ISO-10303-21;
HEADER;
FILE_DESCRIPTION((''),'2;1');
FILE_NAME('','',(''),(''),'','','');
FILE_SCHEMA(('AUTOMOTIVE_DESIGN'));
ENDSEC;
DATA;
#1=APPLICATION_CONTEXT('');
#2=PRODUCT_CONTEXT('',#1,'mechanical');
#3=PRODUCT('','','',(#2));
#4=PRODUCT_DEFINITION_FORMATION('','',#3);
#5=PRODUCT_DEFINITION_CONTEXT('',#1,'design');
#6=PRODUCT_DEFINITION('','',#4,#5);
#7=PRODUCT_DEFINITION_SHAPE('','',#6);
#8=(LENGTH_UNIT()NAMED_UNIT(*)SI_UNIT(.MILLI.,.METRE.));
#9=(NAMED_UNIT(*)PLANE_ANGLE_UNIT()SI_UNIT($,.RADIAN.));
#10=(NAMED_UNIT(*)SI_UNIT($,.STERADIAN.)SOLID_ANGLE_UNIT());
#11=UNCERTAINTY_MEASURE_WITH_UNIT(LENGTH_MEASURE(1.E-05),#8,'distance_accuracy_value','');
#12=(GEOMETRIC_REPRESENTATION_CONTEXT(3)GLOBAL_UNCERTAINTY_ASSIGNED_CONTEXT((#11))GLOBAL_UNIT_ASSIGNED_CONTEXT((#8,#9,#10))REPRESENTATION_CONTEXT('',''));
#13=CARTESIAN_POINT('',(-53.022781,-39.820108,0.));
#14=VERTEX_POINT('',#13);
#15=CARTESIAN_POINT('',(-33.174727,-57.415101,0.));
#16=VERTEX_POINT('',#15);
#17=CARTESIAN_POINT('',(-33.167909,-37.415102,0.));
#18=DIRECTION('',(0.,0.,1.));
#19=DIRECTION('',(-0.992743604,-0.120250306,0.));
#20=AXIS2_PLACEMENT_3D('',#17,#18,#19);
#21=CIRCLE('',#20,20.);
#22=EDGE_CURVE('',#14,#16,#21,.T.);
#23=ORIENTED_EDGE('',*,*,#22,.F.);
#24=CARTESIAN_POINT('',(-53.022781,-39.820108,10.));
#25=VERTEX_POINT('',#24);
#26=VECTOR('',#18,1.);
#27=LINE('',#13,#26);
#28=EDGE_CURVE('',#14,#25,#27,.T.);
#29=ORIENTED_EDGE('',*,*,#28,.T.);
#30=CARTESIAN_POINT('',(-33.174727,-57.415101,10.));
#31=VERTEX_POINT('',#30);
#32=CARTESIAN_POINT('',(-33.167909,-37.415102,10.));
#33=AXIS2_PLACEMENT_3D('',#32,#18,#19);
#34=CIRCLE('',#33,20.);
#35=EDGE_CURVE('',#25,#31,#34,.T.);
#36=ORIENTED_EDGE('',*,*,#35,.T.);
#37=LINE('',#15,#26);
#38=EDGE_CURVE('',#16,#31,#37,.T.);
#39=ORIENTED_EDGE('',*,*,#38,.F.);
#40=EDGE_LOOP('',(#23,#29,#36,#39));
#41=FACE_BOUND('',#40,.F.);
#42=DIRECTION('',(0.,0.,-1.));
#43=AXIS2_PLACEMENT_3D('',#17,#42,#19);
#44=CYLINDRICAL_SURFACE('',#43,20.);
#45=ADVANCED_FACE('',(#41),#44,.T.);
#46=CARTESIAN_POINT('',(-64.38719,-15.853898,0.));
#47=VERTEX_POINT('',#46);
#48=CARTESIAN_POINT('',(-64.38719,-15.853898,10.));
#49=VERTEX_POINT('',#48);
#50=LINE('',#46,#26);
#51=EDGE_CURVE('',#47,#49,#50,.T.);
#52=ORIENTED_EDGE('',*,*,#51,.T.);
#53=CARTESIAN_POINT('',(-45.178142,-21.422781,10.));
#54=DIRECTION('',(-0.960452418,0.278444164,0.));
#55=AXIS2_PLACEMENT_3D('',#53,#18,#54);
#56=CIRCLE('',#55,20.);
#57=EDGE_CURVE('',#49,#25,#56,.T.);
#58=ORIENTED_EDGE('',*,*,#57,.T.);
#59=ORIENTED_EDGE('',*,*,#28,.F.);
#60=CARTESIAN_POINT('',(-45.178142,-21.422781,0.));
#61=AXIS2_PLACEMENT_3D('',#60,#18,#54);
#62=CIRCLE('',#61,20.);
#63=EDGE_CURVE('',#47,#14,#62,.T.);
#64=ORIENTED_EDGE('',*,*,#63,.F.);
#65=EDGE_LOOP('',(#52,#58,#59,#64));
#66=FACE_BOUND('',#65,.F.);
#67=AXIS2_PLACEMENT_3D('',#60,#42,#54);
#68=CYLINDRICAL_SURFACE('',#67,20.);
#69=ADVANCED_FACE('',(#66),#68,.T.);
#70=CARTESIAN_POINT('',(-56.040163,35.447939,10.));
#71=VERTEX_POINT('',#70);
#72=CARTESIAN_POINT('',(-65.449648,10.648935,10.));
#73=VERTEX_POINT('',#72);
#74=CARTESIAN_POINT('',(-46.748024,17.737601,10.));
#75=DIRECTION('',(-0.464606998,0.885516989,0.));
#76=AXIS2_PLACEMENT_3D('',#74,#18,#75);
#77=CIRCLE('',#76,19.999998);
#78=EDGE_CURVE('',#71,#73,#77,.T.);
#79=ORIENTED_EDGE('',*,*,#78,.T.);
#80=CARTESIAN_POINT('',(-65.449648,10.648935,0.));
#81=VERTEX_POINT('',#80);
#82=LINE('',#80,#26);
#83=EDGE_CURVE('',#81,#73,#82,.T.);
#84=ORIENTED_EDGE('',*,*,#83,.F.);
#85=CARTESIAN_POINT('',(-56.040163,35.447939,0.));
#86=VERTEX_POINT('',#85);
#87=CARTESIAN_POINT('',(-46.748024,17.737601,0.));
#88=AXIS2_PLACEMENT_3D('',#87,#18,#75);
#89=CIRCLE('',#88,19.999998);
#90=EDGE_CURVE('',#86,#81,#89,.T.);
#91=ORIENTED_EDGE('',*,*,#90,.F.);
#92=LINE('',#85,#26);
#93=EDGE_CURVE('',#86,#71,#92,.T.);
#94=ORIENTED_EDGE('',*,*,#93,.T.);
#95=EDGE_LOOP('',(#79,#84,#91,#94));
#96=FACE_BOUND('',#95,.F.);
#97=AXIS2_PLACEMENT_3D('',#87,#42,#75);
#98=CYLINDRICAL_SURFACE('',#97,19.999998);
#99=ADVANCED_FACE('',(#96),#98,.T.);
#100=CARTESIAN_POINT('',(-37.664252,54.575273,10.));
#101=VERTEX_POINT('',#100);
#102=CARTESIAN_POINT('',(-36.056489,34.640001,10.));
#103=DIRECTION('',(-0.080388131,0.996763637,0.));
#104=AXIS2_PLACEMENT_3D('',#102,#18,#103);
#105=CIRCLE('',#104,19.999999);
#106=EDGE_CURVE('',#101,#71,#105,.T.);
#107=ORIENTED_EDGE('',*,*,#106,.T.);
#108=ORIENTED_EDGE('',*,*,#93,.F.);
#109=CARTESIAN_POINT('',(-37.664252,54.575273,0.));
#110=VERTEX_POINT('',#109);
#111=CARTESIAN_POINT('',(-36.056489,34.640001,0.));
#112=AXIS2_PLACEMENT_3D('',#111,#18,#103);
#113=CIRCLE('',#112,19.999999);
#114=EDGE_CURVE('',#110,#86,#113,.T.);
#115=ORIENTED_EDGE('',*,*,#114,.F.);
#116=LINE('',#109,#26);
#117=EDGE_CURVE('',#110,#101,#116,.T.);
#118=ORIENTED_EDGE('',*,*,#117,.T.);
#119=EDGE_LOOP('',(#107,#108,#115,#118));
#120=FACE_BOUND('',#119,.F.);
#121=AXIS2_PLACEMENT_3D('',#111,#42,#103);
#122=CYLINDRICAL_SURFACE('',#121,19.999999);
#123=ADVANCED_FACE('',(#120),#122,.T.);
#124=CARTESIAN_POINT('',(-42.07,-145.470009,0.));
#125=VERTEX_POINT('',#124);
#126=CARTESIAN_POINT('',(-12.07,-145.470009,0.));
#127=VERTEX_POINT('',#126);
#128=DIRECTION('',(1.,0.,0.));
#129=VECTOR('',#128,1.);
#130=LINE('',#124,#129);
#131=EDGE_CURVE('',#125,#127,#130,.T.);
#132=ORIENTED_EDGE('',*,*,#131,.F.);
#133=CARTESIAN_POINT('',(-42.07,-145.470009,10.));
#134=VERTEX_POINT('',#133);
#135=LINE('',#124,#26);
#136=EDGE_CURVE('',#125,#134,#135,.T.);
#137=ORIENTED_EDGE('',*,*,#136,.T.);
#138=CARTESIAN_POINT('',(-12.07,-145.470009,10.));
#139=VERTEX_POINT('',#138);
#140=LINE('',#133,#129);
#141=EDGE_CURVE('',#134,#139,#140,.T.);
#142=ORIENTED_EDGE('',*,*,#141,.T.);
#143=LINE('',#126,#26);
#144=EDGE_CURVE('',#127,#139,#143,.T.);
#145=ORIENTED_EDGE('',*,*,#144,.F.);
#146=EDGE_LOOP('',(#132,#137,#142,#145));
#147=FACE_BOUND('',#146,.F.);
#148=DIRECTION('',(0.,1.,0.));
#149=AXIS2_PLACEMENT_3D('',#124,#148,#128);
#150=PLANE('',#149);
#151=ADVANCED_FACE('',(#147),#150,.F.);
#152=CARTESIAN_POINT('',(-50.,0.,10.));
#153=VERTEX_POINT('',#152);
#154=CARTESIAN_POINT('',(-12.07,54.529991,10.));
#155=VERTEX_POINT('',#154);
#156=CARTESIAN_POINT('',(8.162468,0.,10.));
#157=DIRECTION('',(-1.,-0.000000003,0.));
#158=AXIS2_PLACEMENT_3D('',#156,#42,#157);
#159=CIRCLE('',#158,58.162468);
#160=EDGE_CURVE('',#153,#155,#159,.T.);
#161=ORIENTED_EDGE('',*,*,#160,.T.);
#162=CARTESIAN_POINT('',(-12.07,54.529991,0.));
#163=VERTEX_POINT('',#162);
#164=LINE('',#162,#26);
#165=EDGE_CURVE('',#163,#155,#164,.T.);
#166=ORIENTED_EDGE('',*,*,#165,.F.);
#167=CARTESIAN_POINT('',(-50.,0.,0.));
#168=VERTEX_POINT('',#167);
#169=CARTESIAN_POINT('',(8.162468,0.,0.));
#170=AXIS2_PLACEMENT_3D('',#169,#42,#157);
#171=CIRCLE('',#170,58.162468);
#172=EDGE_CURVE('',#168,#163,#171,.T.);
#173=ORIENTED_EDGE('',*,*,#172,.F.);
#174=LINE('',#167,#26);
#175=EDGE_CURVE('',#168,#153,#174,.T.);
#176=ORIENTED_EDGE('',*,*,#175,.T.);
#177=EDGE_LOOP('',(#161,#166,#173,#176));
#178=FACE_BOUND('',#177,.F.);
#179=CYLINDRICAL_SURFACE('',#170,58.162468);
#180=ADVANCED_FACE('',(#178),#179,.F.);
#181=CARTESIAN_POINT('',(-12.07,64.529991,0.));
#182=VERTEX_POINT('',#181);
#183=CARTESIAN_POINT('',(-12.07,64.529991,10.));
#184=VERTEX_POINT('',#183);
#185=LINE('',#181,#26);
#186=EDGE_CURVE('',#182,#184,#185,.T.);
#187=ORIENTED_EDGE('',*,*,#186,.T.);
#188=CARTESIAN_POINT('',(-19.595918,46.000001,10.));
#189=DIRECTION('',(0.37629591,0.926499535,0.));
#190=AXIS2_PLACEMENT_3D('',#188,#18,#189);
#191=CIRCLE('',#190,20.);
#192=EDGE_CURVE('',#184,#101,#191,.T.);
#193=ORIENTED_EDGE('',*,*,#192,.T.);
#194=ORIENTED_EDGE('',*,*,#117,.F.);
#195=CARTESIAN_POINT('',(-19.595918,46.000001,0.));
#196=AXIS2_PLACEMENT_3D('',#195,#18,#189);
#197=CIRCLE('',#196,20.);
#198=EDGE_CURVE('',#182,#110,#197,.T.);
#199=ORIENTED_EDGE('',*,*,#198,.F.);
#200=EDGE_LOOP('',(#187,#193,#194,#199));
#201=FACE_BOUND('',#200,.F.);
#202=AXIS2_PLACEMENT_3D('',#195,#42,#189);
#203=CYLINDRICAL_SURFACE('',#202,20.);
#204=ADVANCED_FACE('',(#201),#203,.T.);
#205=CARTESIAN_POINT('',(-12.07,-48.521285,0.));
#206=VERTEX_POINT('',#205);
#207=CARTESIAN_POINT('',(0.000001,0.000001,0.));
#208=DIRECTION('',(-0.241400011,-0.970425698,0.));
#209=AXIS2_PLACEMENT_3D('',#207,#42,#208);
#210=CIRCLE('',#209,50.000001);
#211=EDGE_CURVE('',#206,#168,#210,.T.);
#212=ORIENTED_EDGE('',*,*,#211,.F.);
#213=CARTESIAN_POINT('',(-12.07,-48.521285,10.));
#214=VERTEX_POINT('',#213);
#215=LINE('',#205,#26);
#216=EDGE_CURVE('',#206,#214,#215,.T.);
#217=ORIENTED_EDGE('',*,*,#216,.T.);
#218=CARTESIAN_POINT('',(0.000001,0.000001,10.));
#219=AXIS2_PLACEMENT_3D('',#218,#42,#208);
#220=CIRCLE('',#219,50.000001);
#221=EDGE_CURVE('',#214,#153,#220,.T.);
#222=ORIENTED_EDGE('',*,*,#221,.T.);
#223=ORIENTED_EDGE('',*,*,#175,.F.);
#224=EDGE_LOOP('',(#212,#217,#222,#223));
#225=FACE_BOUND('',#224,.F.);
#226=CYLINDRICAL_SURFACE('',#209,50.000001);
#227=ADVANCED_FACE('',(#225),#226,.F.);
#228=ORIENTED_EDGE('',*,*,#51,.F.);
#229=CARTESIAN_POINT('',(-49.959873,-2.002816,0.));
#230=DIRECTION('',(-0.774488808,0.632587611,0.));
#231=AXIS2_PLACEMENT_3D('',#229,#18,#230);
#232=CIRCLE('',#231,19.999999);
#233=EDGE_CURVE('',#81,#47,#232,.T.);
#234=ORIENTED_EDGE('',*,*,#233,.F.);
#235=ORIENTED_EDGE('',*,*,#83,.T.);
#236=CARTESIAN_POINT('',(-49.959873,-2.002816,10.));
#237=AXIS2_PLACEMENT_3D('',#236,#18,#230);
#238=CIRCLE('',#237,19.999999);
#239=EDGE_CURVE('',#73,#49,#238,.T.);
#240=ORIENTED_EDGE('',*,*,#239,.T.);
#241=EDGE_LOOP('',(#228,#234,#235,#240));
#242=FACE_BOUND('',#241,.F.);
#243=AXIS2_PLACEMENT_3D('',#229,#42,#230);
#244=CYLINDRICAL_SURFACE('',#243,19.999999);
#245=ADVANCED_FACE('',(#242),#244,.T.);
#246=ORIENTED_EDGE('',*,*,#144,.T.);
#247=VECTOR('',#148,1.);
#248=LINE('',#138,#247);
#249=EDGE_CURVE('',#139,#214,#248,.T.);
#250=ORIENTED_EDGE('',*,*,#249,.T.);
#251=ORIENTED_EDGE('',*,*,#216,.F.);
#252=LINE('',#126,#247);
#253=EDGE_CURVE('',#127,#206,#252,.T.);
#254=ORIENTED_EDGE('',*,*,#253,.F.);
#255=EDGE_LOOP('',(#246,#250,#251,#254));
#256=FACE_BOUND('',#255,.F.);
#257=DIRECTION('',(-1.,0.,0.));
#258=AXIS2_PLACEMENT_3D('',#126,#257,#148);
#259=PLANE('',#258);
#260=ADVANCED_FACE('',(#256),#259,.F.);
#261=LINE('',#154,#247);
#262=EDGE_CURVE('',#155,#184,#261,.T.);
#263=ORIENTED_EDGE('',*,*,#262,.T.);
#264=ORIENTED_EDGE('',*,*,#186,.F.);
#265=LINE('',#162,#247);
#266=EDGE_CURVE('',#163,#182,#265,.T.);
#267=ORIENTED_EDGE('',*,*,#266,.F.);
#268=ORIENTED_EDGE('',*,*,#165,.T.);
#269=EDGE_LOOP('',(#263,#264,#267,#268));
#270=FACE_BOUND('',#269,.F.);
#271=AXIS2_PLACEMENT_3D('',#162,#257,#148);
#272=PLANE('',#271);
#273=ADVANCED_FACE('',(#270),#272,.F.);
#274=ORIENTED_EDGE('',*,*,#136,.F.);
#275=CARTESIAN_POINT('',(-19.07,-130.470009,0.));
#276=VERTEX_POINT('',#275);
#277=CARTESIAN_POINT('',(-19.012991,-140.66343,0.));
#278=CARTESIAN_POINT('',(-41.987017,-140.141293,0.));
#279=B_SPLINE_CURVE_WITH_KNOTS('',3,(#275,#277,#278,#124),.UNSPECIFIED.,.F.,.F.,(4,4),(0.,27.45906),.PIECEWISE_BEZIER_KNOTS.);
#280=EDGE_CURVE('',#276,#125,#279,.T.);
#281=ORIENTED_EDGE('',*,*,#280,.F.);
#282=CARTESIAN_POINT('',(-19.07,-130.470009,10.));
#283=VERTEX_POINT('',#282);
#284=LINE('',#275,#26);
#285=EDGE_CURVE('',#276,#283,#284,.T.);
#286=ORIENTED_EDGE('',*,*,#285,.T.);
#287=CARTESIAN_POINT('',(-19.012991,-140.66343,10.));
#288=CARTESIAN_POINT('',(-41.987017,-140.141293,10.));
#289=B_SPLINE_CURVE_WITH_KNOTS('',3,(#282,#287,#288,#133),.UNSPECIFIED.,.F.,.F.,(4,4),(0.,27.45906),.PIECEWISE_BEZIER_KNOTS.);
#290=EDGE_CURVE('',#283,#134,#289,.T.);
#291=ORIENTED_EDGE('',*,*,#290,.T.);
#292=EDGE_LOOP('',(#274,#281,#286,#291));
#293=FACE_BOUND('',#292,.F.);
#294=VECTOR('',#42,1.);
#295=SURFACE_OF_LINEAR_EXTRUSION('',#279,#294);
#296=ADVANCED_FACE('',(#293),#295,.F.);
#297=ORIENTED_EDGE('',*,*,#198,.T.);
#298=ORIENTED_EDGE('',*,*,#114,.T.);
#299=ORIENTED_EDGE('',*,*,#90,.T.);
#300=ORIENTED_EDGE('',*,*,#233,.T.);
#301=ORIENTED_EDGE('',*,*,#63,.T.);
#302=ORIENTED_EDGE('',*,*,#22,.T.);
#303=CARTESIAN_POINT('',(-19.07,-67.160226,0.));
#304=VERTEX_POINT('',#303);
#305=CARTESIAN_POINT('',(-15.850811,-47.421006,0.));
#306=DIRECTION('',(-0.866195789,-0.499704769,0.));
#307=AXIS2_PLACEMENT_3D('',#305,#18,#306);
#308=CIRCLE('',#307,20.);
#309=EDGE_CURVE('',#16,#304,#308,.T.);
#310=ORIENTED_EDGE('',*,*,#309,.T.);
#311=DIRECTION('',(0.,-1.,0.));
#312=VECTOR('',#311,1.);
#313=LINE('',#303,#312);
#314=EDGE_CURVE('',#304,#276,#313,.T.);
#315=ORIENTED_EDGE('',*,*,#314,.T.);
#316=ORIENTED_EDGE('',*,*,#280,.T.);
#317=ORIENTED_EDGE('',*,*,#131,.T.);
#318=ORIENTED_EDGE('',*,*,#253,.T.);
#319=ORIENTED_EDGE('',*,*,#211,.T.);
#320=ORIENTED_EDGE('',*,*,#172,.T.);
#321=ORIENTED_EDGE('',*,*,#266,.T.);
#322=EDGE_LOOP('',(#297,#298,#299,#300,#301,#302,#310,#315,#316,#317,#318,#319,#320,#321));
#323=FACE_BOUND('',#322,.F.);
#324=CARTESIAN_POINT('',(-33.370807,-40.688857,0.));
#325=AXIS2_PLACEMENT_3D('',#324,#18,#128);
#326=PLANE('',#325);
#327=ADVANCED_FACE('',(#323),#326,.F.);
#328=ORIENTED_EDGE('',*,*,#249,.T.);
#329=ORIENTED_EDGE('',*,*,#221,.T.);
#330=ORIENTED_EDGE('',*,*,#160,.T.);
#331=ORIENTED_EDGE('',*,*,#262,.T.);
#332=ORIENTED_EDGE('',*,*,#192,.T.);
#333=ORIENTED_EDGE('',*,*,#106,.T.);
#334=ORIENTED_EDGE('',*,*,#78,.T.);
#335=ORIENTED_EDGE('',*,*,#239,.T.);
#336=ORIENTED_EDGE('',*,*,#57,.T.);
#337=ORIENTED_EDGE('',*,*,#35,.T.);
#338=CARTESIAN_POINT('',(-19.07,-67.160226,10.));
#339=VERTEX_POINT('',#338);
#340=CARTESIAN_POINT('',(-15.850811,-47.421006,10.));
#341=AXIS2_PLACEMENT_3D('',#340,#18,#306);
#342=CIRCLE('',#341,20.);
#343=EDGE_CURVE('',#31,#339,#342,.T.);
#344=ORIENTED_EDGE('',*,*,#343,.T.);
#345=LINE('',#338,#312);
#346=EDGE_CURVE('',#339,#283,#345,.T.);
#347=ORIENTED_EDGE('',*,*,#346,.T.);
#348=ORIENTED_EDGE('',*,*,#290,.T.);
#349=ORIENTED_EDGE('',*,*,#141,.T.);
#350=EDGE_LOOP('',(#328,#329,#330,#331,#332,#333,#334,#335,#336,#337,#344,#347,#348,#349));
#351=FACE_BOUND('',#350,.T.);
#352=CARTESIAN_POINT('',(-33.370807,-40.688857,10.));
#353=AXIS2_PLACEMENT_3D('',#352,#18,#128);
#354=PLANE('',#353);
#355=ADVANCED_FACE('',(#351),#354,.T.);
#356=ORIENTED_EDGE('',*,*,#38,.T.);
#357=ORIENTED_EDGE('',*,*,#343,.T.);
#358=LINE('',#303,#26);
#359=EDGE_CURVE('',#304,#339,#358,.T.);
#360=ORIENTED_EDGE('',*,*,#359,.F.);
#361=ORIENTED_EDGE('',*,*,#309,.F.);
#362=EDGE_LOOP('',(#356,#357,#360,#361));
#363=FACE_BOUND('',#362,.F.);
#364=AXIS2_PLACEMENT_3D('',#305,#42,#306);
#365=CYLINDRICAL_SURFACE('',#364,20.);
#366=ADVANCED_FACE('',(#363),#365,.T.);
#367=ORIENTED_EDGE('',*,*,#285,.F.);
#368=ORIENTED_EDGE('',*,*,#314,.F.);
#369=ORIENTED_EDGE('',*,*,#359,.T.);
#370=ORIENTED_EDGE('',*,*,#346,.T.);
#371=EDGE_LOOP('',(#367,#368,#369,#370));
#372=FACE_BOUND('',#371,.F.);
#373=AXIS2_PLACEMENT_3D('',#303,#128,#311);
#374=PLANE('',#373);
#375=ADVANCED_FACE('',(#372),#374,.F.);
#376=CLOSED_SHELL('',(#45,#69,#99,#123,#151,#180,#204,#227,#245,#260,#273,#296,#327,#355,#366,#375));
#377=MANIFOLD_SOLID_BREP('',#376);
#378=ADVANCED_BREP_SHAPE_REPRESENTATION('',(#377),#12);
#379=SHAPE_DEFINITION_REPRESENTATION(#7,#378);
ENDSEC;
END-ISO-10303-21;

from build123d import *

# Parameters (mm, degrees)
F1_DEPTH = 10


with BuildPart() as f1:
    # F0 (on Top) → F1 (new body)
    with BuildSketch(Plane.XY):
        with BuildLine():
            Line((-12.07, 54.529991), (-12.07, 64.529991))
            ThreePointArc((-12.07, 64.529991), (-26.845727, 64.63975), (-37.664252, 54.575273))
            ThreePointArc((-37.664252, 54.575273), (-50.479085, 48.496), (-56.040163, 35.447939))
            ThreePointArc((-56.040163, 35.447939), (-65.447231, 24.83264), (-65.449648, 10.648935))
            ThreePointArc((-65.449648, 10.648935), (-69.94382, -2.803942), (-64.38719, -15.853898))
            ThreePointArc((-64.38719, -15.853898), (-63.249398, -29.991894), (-53.022781, -39.820108))
            ThreePointArc((-53.022781, -39.820108), (-46.435072, -52.381143), (-33.174727, -57.415101))
            ThreePointArc((-33.174727, -57.415101), (-27.219481, -63.87559), (-19.07, -67.160226))
            Line((-19.07, -67.160226), (-19.07, -130.470009))
            add(Edge.make_bspline(
                [(-19.07, -130.470009), (-19.012991, -140.66343), (-41.987017, -140.141293), (-42.07, -145.470009)],
                knots=[0, 0, 0, 0, 27.45906, 27.45906, 27.45906, 27.45906], degree=3))
            Line((-42.07, -145.470009), (-12.07, -145.470009))
            Line((-12.07, -145.470009), (-12.07, -48.521285))
            ThreePointArc((-12.07, -48.521285), (-39.392258, -30.793668), (-50, 0))
            ThreePointArc((-50, 0), (-39.585008, 33.212215), (-12.07, 54.529991))
        make_face()
    extrude(amount=F1_DEPTH)


solid = f1.part
